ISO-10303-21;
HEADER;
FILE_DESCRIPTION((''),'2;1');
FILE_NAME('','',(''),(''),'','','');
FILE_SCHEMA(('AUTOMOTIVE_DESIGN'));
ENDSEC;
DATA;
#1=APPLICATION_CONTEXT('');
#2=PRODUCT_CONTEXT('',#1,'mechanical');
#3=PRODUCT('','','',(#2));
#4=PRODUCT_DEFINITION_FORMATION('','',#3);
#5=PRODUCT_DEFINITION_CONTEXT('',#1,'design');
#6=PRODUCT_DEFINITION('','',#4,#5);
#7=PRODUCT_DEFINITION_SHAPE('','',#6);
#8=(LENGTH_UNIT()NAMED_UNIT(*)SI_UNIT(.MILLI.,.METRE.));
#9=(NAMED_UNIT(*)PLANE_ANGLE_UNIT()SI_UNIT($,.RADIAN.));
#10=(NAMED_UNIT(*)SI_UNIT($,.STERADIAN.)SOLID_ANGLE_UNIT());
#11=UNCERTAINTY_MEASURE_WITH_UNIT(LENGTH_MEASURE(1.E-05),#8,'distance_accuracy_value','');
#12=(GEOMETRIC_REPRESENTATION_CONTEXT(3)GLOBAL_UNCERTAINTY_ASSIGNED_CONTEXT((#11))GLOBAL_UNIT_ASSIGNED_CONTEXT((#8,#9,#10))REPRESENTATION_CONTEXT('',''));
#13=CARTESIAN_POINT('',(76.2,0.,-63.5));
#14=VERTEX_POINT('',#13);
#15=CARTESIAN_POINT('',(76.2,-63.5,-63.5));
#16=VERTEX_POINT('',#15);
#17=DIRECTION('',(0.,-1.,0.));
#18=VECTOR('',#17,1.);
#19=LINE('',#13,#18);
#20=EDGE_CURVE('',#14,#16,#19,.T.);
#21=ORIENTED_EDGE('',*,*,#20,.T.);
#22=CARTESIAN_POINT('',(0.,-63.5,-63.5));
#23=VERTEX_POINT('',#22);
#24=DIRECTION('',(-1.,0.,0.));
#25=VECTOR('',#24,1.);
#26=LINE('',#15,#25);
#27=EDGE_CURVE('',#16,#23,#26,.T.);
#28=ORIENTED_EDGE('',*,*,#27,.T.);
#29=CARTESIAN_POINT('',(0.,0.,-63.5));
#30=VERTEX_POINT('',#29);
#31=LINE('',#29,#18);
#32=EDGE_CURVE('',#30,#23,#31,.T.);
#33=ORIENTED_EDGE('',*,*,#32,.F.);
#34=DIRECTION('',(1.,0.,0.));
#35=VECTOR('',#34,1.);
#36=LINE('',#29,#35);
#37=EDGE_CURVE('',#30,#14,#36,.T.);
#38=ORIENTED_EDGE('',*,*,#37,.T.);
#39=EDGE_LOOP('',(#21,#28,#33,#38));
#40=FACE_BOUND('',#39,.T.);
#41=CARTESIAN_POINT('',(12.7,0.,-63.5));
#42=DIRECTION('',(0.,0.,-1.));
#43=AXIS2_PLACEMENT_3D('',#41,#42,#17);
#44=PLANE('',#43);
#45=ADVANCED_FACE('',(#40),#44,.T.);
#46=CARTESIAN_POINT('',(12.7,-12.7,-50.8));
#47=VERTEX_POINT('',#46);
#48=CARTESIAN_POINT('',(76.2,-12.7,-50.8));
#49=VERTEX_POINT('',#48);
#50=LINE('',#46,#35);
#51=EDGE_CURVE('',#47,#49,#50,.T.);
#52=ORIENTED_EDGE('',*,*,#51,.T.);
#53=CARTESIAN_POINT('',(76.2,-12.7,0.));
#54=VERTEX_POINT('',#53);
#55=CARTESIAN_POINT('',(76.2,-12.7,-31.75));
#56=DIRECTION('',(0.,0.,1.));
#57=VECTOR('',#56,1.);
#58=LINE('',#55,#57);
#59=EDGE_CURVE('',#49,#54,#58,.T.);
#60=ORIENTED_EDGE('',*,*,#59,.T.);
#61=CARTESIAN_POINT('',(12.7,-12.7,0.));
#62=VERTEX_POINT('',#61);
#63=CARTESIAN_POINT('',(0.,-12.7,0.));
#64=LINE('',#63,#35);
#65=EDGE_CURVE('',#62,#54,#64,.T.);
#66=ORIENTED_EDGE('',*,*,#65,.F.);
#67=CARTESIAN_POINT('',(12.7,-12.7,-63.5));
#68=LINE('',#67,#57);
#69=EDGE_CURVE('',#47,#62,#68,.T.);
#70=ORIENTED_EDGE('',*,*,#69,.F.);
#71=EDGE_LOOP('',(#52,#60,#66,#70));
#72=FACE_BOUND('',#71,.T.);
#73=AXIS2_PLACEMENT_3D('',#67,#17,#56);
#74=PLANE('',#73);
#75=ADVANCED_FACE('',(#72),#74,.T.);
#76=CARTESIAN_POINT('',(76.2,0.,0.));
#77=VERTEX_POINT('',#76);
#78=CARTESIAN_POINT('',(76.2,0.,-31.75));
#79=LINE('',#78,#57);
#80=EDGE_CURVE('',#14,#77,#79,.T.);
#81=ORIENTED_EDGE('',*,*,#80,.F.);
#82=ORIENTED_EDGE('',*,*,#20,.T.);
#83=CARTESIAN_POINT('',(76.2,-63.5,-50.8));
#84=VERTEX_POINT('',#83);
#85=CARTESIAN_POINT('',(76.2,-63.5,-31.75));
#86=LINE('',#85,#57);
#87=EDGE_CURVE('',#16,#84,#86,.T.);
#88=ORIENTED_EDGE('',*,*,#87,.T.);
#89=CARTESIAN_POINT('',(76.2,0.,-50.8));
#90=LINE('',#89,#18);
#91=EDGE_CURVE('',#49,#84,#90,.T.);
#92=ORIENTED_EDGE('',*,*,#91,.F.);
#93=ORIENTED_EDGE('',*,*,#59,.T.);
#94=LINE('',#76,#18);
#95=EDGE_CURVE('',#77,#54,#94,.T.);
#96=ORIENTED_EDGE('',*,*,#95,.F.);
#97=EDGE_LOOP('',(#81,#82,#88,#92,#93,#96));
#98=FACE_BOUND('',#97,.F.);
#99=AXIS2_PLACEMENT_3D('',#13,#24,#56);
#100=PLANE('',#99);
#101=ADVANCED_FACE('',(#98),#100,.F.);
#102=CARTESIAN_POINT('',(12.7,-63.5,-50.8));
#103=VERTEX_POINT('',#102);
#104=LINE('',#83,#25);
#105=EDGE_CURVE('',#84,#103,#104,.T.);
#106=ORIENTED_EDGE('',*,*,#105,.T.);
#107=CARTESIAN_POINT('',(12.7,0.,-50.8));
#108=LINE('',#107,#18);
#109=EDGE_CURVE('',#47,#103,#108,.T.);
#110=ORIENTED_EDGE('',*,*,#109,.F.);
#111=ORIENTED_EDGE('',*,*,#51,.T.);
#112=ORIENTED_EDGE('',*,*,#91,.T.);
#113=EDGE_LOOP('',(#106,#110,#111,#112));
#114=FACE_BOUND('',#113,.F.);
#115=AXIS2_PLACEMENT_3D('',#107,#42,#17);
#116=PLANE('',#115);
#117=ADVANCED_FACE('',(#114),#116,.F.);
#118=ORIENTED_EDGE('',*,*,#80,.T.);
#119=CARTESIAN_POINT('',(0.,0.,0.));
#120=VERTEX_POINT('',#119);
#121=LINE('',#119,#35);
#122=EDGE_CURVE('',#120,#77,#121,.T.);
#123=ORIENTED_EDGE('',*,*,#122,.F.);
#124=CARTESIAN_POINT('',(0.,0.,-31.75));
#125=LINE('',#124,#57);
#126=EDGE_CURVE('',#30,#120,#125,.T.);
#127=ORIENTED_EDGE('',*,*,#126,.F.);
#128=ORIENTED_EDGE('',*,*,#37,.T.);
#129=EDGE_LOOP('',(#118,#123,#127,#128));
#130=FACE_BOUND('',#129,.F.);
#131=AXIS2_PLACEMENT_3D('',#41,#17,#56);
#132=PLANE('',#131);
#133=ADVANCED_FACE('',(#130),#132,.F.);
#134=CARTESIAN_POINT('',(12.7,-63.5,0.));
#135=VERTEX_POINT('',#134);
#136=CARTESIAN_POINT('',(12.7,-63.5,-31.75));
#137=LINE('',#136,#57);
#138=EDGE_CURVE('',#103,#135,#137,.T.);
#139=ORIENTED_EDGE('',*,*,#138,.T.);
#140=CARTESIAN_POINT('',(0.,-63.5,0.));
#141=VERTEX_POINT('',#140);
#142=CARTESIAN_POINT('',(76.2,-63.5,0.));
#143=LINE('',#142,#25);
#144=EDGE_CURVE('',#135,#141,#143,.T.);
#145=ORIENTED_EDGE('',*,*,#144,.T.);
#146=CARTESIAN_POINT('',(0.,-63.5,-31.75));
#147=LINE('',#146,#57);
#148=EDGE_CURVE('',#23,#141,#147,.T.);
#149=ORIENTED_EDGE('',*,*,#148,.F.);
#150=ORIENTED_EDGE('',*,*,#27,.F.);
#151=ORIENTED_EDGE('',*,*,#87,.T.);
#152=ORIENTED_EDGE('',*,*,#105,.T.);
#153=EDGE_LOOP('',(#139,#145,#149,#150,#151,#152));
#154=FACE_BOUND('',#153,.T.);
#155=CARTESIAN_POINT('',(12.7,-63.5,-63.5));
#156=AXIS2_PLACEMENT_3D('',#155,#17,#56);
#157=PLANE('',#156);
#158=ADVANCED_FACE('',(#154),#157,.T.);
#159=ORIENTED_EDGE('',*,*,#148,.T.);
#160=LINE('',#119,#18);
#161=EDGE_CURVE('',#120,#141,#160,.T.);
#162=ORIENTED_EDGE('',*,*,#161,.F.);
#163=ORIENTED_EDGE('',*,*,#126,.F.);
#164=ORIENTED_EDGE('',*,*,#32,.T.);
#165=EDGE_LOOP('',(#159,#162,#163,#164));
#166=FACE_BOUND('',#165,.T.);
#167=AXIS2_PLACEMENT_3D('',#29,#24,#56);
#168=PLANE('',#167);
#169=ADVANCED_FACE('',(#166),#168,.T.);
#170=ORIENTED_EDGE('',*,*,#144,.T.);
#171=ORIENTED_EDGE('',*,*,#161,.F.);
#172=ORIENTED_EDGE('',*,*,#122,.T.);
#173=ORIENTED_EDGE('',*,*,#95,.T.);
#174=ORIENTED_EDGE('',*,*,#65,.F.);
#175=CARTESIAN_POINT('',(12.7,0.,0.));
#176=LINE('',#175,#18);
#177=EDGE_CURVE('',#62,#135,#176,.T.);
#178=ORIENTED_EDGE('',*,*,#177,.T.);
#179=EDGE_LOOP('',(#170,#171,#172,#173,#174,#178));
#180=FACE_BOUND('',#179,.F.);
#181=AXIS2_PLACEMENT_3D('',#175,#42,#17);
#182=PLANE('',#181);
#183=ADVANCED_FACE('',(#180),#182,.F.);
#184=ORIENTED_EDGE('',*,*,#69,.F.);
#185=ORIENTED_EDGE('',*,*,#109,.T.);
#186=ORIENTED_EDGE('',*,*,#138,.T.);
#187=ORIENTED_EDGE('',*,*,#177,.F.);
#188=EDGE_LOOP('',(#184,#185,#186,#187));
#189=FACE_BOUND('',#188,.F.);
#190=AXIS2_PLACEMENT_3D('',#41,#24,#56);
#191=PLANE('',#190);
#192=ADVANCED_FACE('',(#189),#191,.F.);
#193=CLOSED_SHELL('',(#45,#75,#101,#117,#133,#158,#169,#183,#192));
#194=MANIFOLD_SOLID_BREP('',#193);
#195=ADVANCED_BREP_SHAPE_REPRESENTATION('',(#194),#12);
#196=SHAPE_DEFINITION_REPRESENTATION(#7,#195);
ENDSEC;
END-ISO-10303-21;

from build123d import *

# Parameters (mm, degrees)
F0_W     = 12.7
F0_H     = 63.5
F1_DEPTH = 63.5
F2_DEPTH = 63.5
F3_T     = -12.7


with BuildPart() as f1:
    # F0 (on Front) → F1 (new body)
    with BuildSketch(Plane.XZ):
        with Locations((6.35, -31.75)):
            Rectangle(F0_W, F0_H)
    extrude(amount=F1_DEPTH)

    # F2 (add): a face of the model
    f2_faces = [f1.faces().sort_by_distance(p)[0] for p in [
        (12.7, -31.75, -31.75),
    ]]
    extrude(f2_faces, amount=F2_DEPTH)

    # F3
    f3_openings = [f1.faces().sort_by_distance(p)[0] for p in [
        (38.1, -63.5, -31.75),
        (38.1, -31.75, 0),
        (76.2, -31.75, -31.75),
    ]]
    offset(amount=F3_T, openings=f3_openings)


solid = f1.part
